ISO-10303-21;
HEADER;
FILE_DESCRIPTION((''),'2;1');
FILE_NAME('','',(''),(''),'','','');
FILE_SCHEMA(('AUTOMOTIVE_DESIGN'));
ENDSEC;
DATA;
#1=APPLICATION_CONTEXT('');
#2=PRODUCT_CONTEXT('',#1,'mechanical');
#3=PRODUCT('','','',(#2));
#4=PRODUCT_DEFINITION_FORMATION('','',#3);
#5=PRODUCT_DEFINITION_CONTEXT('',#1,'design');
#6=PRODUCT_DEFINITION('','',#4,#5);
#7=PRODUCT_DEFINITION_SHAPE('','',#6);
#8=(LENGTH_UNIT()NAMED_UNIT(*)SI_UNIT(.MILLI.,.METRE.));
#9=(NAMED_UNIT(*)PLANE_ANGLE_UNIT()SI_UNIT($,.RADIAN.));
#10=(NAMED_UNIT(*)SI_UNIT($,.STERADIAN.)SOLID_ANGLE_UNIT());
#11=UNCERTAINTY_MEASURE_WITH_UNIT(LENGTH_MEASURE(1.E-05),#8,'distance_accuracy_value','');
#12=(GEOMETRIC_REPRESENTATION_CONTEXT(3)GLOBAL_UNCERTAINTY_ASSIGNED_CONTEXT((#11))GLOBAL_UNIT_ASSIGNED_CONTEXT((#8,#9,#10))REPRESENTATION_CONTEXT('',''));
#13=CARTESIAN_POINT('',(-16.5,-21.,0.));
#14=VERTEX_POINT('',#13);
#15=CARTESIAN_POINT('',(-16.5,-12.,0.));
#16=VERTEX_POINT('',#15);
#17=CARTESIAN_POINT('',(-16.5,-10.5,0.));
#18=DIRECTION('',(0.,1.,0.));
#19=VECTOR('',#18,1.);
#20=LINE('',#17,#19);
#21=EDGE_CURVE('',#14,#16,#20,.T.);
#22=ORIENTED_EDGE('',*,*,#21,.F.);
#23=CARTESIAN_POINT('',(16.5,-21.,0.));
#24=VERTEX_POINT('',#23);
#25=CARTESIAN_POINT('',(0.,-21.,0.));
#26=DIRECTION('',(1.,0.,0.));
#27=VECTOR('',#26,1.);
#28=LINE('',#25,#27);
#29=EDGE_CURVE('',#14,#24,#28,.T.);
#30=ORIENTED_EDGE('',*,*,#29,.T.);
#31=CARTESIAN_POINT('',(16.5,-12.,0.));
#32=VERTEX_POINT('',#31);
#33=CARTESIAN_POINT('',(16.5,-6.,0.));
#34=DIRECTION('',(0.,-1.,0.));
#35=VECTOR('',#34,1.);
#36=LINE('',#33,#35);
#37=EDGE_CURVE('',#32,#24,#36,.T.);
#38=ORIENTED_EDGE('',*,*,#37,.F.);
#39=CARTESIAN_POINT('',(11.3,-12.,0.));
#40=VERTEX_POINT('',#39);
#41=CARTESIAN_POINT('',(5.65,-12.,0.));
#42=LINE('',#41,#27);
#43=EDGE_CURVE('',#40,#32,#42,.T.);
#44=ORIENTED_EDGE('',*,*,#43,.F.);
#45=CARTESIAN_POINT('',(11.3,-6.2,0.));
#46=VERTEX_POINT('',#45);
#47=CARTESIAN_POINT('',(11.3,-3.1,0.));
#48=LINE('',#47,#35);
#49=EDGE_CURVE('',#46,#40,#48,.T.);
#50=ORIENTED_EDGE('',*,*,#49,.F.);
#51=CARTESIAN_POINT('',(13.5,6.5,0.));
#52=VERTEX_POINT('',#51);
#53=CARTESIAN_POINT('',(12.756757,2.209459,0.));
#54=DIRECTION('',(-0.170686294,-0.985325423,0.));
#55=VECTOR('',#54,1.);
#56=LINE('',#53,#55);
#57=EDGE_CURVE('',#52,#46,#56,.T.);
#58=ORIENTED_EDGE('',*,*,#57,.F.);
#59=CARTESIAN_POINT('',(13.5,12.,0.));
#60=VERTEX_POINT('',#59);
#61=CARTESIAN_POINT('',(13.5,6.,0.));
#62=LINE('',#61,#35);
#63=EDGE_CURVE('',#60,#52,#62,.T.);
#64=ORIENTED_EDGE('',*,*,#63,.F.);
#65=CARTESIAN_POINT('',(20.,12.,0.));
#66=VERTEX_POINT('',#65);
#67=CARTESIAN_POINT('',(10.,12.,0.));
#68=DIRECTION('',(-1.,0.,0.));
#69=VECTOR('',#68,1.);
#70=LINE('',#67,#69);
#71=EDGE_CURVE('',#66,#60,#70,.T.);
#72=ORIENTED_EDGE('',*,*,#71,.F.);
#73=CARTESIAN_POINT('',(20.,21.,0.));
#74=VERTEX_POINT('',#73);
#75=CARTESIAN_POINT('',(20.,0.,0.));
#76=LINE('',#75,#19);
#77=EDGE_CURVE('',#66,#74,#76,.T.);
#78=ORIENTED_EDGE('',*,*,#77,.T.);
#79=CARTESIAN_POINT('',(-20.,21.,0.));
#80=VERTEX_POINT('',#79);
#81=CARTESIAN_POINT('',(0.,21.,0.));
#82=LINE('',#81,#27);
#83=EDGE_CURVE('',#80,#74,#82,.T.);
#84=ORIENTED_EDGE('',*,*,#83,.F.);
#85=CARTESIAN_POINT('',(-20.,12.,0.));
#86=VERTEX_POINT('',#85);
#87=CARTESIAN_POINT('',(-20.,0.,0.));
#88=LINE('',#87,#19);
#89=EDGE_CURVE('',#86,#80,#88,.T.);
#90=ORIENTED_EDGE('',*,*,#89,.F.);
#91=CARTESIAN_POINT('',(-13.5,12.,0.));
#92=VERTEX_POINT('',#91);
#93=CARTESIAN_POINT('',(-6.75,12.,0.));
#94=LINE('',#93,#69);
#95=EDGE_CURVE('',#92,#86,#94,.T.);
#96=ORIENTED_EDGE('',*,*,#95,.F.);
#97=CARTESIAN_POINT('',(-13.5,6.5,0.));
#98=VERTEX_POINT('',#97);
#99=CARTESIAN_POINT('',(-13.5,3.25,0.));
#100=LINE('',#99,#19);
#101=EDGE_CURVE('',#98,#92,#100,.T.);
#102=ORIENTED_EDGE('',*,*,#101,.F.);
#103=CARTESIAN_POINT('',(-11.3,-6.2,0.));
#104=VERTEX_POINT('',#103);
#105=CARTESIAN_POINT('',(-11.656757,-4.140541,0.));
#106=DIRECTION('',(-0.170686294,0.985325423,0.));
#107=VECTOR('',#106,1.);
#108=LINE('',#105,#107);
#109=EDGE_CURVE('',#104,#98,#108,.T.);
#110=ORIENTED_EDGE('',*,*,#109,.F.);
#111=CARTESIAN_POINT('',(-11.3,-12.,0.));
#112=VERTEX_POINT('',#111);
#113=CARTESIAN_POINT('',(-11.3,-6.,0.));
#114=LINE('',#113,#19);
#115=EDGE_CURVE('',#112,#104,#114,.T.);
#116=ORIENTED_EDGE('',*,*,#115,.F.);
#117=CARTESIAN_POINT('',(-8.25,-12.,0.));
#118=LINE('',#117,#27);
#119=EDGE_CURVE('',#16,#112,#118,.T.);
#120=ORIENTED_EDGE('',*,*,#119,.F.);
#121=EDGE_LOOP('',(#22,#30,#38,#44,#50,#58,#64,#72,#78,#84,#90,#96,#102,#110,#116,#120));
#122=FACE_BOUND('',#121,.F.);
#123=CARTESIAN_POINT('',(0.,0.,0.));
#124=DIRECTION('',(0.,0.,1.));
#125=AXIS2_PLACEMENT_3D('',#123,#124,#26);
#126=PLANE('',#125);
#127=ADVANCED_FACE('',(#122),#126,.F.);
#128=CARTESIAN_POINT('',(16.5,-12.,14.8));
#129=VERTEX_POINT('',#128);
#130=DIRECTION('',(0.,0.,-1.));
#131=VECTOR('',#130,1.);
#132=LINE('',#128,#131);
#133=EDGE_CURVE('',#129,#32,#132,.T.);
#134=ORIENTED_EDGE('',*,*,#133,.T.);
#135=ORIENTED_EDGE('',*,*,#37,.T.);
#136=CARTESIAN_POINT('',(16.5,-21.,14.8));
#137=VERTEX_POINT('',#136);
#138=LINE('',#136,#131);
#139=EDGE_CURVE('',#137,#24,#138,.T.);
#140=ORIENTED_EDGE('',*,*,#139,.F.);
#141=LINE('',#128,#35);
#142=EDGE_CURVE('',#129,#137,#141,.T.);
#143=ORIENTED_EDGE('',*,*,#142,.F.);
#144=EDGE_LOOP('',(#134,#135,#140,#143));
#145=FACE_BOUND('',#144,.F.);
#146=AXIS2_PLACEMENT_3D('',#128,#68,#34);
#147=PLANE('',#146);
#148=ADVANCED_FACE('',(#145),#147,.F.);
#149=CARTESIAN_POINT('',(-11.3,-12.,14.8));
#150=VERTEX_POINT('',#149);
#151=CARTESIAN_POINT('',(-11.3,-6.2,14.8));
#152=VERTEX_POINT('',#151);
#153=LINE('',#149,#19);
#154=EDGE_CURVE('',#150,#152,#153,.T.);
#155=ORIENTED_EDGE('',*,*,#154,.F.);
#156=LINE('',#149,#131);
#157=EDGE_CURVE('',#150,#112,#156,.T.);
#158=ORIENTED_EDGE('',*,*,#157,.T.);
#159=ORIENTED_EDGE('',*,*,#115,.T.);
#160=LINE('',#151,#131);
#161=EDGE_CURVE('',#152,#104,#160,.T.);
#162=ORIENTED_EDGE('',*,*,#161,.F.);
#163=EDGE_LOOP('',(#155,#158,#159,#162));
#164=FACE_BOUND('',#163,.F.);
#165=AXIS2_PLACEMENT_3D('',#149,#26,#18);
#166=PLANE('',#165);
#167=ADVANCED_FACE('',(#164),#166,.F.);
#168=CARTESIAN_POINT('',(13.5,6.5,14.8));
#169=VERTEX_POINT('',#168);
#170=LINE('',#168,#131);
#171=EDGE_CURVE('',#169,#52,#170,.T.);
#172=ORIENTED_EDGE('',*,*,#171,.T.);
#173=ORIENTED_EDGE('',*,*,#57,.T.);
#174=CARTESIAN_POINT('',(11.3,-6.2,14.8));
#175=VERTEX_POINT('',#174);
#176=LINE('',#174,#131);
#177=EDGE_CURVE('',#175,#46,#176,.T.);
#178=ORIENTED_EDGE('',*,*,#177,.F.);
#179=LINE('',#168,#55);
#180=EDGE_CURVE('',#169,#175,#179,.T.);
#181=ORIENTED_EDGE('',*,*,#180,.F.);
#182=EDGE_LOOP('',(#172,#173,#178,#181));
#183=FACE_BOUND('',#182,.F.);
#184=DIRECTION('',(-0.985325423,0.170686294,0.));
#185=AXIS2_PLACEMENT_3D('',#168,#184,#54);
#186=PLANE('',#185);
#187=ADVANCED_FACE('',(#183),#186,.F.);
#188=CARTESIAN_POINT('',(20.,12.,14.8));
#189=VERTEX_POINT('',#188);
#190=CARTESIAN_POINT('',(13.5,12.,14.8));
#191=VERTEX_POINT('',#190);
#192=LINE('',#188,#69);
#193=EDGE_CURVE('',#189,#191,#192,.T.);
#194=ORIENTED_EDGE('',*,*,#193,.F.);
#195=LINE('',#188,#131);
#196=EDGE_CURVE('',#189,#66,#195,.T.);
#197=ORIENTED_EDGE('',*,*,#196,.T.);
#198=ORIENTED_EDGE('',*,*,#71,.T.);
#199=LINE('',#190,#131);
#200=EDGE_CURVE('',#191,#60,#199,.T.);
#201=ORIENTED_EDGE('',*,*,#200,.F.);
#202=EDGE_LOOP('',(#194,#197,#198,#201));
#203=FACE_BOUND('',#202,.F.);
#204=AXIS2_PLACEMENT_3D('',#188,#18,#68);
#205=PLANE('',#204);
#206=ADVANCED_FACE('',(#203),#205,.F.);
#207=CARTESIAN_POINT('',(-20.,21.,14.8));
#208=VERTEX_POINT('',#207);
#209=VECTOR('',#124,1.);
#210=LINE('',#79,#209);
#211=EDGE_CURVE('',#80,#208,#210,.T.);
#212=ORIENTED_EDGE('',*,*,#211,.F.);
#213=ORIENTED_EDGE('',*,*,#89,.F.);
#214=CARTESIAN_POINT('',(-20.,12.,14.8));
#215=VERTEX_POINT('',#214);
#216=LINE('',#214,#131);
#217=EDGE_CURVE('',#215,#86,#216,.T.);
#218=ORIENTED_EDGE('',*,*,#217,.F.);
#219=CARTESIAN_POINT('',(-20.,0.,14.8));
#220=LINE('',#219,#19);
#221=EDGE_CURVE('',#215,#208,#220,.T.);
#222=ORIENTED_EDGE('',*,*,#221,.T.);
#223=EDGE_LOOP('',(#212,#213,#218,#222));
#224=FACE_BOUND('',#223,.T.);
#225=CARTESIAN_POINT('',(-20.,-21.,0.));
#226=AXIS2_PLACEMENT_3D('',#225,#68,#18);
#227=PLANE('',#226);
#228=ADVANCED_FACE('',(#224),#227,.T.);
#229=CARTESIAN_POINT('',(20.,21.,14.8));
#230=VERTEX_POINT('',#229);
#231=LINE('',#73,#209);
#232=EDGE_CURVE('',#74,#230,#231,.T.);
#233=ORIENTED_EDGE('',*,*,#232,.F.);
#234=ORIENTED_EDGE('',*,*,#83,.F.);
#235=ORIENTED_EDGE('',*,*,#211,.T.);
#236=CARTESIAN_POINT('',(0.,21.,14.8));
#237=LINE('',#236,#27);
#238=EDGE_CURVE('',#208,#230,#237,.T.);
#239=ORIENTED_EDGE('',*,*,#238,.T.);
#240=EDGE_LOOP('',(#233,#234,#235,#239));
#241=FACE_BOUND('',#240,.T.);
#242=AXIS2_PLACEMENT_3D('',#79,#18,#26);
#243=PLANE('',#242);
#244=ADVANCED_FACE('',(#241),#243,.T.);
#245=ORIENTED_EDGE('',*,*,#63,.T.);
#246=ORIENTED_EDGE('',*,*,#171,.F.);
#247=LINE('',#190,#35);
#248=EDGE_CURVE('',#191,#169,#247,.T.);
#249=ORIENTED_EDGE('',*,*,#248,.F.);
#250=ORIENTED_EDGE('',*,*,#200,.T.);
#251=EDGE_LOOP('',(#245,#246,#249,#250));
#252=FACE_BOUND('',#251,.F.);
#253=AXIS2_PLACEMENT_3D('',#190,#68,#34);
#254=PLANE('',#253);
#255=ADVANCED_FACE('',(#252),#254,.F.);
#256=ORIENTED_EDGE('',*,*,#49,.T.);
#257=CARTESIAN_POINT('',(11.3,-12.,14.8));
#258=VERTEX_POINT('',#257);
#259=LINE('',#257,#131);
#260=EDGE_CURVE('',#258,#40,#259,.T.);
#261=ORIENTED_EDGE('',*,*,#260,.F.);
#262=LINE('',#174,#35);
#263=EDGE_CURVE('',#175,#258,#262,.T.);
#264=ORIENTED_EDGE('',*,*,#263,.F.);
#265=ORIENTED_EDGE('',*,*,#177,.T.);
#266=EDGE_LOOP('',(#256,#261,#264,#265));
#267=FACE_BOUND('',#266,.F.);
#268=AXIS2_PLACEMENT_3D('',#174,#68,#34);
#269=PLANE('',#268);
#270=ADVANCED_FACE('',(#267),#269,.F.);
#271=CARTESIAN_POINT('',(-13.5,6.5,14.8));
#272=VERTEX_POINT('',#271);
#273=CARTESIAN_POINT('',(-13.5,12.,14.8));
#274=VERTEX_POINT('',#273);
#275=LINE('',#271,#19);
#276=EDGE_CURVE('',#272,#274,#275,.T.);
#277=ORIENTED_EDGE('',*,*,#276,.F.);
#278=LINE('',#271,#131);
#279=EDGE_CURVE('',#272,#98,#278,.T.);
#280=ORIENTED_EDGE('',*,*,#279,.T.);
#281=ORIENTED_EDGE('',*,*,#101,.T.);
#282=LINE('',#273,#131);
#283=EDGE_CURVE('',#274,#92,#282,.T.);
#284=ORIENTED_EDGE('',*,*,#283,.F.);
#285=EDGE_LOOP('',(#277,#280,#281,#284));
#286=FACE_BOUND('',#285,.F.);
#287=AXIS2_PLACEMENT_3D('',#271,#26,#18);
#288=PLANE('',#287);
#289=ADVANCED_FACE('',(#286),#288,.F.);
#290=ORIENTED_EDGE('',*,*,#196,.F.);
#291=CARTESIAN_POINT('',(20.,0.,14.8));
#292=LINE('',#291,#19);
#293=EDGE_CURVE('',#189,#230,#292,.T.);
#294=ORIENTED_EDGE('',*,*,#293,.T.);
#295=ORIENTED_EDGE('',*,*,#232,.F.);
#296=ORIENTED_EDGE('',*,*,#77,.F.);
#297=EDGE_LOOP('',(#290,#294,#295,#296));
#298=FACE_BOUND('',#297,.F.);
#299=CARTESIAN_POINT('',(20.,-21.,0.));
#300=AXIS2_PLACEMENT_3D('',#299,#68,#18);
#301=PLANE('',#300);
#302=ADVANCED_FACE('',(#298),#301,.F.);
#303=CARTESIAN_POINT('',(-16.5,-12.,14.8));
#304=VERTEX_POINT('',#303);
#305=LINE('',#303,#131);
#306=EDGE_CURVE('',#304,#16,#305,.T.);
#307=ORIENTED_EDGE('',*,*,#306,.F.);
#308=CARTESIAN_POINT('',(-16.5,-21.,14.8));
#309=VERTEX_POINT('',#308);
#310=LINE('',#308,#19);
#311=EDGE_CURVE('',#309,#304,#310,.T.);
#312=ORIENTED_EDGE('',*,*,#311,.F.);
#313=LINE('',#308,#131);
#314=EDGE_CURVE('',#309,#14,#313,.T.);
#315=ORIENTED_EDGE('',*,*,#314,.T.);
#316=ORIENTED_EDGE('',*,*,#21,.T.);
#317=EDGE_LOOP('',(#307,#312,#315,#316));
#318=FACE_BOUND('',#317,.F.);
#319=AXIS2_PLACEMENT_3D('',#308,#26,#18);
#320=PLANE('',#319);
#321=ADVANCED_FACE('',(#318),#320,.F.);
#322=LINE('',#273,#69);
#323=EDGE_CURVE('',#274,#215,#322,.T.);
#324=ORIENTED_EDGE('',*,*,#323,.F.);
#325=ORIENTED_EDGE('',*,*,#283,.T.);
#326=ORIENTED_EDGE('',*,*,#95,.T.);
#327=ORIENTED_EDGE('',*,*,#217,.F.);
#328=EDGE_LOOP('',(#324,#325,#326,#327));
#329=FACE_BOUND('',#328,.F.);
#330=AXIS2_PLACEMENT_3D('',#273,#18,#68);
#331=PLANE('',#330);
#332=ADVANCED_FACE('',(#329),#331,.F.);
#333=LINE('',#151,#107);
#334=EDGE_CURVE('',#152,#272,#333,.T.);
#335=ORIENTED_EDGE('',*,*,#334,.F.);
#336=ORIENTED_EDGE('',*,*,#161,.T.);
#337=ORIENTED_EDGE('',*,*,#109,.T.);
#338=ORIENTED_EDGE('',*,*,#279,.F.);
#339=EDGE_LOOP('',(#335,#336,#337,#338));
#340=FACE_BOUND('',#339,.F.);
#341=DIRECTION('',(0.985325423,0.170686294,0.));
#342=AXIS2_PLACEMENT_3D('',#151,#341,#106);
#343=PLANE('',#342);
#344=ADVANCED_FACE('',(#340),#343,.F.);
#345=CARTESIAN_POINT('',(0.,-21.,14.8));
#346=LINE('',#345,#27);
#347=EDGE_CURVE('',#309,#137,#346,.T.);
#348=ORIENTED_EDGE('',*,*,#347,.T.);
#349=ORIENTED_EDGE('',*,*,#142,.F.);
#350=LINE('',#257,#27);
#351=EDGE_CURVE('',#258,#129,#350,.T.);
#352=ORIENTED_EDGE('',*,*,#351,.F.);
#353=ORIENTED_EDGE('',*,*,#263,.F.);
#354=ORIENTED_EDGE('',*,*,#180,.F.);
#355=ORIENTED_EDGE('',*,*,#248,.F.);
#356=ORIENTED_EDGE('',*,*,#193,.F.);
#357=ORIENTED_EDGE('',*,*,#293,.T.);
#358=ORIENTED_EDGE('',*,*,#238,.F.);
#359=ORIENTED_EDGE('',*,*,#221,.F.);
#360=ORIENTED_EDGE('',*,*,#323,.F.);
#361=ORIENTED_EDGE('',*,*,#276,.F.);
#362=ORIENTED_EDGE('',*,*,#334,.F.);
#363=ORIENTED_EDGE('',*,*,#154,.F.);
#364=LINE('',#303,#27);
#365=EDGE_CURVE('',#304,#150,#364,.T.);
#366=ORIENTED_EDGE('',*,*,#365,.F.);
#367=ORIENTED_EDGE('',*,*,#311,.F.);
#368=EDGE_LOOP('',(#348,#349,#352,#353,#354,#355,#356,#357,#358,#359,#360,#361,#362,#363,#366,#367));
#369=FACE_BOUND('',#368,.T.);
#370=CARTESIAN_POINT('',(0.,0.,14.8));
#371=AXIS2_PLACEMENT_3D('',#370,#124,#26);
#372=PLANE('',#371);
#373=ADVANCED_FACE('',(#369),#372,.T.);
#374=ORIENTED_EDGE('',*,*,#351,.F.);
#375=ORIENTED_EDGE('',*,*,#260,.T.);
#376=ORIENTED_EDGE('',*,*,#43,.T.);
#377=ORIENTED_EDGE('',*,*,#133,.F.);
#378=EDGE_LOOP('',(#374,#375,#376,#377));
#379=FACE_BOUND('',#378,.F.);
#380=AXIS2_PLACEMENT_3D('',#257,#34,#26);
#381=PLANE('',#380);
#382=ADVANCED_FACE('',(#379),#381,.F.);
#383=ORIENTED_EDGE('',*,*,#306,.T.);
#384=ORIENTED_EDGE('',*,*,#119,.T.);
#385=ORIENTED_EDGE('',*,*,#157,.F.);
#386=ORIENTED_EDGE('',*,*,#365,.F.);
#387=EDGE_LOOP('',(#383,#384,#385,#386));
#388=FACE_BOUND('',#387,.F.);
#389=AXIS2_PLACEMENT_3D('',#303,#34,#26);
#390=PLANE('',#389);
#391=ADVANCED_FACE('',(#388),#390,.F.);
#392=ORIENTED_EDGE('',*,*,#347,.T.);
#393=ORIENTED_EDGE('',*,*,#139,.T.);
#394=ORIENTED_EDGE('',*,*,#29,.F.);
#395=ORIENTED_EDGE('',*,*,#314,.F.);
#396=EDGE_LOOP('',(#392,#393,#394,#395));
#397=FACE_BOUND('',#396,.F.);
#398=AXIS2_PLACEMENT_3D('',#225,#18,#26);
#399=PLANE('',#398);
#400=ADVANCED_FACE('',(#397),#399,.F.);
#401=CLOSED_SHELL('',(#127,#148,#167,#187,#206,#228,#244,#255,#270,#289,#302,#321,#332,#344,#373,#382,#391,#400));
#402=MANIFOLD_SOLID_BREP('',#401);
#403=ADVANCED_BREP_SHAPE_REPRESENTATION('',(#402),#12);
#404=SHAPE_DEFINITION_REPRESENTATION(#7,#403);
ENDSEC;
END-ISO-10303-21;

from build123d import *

# Parameters (mm, degrees)
F0_W     = 40
F0_H     = 42
F1_DEPTH = 14.8
F3_DEPTH = 25


with BuildPart() as f1:
    # F0 (on Top) → F1 (new body)
    with BuildSketch(Plane.XY):
        Rectangle(F0_W, F0_H)
    extrude(amount=F1_DEPTH)

    # F2 (on face) → F3 (cut)
    with BuildSketch(Plane.XY.offset(14.8)):
        Polygon((-13.5, 12), (-20, 12), (-20, -21), (-16.5, -21), (-16.5, -12), (-11.3, -12), (-11.3, -6.2), (-13.5, 6.5), align=None)
        Polygon((16.5, -12), (16.5, -21), (20, -21), (20, 12), (13.5, 12), (13.5, 6.5), (11.3, -6.2), (11.3, -12), align=None)
    extrude(amount=-F3_DEPTH, mode=Mode.SUBTRACT)


solid = f1.part
